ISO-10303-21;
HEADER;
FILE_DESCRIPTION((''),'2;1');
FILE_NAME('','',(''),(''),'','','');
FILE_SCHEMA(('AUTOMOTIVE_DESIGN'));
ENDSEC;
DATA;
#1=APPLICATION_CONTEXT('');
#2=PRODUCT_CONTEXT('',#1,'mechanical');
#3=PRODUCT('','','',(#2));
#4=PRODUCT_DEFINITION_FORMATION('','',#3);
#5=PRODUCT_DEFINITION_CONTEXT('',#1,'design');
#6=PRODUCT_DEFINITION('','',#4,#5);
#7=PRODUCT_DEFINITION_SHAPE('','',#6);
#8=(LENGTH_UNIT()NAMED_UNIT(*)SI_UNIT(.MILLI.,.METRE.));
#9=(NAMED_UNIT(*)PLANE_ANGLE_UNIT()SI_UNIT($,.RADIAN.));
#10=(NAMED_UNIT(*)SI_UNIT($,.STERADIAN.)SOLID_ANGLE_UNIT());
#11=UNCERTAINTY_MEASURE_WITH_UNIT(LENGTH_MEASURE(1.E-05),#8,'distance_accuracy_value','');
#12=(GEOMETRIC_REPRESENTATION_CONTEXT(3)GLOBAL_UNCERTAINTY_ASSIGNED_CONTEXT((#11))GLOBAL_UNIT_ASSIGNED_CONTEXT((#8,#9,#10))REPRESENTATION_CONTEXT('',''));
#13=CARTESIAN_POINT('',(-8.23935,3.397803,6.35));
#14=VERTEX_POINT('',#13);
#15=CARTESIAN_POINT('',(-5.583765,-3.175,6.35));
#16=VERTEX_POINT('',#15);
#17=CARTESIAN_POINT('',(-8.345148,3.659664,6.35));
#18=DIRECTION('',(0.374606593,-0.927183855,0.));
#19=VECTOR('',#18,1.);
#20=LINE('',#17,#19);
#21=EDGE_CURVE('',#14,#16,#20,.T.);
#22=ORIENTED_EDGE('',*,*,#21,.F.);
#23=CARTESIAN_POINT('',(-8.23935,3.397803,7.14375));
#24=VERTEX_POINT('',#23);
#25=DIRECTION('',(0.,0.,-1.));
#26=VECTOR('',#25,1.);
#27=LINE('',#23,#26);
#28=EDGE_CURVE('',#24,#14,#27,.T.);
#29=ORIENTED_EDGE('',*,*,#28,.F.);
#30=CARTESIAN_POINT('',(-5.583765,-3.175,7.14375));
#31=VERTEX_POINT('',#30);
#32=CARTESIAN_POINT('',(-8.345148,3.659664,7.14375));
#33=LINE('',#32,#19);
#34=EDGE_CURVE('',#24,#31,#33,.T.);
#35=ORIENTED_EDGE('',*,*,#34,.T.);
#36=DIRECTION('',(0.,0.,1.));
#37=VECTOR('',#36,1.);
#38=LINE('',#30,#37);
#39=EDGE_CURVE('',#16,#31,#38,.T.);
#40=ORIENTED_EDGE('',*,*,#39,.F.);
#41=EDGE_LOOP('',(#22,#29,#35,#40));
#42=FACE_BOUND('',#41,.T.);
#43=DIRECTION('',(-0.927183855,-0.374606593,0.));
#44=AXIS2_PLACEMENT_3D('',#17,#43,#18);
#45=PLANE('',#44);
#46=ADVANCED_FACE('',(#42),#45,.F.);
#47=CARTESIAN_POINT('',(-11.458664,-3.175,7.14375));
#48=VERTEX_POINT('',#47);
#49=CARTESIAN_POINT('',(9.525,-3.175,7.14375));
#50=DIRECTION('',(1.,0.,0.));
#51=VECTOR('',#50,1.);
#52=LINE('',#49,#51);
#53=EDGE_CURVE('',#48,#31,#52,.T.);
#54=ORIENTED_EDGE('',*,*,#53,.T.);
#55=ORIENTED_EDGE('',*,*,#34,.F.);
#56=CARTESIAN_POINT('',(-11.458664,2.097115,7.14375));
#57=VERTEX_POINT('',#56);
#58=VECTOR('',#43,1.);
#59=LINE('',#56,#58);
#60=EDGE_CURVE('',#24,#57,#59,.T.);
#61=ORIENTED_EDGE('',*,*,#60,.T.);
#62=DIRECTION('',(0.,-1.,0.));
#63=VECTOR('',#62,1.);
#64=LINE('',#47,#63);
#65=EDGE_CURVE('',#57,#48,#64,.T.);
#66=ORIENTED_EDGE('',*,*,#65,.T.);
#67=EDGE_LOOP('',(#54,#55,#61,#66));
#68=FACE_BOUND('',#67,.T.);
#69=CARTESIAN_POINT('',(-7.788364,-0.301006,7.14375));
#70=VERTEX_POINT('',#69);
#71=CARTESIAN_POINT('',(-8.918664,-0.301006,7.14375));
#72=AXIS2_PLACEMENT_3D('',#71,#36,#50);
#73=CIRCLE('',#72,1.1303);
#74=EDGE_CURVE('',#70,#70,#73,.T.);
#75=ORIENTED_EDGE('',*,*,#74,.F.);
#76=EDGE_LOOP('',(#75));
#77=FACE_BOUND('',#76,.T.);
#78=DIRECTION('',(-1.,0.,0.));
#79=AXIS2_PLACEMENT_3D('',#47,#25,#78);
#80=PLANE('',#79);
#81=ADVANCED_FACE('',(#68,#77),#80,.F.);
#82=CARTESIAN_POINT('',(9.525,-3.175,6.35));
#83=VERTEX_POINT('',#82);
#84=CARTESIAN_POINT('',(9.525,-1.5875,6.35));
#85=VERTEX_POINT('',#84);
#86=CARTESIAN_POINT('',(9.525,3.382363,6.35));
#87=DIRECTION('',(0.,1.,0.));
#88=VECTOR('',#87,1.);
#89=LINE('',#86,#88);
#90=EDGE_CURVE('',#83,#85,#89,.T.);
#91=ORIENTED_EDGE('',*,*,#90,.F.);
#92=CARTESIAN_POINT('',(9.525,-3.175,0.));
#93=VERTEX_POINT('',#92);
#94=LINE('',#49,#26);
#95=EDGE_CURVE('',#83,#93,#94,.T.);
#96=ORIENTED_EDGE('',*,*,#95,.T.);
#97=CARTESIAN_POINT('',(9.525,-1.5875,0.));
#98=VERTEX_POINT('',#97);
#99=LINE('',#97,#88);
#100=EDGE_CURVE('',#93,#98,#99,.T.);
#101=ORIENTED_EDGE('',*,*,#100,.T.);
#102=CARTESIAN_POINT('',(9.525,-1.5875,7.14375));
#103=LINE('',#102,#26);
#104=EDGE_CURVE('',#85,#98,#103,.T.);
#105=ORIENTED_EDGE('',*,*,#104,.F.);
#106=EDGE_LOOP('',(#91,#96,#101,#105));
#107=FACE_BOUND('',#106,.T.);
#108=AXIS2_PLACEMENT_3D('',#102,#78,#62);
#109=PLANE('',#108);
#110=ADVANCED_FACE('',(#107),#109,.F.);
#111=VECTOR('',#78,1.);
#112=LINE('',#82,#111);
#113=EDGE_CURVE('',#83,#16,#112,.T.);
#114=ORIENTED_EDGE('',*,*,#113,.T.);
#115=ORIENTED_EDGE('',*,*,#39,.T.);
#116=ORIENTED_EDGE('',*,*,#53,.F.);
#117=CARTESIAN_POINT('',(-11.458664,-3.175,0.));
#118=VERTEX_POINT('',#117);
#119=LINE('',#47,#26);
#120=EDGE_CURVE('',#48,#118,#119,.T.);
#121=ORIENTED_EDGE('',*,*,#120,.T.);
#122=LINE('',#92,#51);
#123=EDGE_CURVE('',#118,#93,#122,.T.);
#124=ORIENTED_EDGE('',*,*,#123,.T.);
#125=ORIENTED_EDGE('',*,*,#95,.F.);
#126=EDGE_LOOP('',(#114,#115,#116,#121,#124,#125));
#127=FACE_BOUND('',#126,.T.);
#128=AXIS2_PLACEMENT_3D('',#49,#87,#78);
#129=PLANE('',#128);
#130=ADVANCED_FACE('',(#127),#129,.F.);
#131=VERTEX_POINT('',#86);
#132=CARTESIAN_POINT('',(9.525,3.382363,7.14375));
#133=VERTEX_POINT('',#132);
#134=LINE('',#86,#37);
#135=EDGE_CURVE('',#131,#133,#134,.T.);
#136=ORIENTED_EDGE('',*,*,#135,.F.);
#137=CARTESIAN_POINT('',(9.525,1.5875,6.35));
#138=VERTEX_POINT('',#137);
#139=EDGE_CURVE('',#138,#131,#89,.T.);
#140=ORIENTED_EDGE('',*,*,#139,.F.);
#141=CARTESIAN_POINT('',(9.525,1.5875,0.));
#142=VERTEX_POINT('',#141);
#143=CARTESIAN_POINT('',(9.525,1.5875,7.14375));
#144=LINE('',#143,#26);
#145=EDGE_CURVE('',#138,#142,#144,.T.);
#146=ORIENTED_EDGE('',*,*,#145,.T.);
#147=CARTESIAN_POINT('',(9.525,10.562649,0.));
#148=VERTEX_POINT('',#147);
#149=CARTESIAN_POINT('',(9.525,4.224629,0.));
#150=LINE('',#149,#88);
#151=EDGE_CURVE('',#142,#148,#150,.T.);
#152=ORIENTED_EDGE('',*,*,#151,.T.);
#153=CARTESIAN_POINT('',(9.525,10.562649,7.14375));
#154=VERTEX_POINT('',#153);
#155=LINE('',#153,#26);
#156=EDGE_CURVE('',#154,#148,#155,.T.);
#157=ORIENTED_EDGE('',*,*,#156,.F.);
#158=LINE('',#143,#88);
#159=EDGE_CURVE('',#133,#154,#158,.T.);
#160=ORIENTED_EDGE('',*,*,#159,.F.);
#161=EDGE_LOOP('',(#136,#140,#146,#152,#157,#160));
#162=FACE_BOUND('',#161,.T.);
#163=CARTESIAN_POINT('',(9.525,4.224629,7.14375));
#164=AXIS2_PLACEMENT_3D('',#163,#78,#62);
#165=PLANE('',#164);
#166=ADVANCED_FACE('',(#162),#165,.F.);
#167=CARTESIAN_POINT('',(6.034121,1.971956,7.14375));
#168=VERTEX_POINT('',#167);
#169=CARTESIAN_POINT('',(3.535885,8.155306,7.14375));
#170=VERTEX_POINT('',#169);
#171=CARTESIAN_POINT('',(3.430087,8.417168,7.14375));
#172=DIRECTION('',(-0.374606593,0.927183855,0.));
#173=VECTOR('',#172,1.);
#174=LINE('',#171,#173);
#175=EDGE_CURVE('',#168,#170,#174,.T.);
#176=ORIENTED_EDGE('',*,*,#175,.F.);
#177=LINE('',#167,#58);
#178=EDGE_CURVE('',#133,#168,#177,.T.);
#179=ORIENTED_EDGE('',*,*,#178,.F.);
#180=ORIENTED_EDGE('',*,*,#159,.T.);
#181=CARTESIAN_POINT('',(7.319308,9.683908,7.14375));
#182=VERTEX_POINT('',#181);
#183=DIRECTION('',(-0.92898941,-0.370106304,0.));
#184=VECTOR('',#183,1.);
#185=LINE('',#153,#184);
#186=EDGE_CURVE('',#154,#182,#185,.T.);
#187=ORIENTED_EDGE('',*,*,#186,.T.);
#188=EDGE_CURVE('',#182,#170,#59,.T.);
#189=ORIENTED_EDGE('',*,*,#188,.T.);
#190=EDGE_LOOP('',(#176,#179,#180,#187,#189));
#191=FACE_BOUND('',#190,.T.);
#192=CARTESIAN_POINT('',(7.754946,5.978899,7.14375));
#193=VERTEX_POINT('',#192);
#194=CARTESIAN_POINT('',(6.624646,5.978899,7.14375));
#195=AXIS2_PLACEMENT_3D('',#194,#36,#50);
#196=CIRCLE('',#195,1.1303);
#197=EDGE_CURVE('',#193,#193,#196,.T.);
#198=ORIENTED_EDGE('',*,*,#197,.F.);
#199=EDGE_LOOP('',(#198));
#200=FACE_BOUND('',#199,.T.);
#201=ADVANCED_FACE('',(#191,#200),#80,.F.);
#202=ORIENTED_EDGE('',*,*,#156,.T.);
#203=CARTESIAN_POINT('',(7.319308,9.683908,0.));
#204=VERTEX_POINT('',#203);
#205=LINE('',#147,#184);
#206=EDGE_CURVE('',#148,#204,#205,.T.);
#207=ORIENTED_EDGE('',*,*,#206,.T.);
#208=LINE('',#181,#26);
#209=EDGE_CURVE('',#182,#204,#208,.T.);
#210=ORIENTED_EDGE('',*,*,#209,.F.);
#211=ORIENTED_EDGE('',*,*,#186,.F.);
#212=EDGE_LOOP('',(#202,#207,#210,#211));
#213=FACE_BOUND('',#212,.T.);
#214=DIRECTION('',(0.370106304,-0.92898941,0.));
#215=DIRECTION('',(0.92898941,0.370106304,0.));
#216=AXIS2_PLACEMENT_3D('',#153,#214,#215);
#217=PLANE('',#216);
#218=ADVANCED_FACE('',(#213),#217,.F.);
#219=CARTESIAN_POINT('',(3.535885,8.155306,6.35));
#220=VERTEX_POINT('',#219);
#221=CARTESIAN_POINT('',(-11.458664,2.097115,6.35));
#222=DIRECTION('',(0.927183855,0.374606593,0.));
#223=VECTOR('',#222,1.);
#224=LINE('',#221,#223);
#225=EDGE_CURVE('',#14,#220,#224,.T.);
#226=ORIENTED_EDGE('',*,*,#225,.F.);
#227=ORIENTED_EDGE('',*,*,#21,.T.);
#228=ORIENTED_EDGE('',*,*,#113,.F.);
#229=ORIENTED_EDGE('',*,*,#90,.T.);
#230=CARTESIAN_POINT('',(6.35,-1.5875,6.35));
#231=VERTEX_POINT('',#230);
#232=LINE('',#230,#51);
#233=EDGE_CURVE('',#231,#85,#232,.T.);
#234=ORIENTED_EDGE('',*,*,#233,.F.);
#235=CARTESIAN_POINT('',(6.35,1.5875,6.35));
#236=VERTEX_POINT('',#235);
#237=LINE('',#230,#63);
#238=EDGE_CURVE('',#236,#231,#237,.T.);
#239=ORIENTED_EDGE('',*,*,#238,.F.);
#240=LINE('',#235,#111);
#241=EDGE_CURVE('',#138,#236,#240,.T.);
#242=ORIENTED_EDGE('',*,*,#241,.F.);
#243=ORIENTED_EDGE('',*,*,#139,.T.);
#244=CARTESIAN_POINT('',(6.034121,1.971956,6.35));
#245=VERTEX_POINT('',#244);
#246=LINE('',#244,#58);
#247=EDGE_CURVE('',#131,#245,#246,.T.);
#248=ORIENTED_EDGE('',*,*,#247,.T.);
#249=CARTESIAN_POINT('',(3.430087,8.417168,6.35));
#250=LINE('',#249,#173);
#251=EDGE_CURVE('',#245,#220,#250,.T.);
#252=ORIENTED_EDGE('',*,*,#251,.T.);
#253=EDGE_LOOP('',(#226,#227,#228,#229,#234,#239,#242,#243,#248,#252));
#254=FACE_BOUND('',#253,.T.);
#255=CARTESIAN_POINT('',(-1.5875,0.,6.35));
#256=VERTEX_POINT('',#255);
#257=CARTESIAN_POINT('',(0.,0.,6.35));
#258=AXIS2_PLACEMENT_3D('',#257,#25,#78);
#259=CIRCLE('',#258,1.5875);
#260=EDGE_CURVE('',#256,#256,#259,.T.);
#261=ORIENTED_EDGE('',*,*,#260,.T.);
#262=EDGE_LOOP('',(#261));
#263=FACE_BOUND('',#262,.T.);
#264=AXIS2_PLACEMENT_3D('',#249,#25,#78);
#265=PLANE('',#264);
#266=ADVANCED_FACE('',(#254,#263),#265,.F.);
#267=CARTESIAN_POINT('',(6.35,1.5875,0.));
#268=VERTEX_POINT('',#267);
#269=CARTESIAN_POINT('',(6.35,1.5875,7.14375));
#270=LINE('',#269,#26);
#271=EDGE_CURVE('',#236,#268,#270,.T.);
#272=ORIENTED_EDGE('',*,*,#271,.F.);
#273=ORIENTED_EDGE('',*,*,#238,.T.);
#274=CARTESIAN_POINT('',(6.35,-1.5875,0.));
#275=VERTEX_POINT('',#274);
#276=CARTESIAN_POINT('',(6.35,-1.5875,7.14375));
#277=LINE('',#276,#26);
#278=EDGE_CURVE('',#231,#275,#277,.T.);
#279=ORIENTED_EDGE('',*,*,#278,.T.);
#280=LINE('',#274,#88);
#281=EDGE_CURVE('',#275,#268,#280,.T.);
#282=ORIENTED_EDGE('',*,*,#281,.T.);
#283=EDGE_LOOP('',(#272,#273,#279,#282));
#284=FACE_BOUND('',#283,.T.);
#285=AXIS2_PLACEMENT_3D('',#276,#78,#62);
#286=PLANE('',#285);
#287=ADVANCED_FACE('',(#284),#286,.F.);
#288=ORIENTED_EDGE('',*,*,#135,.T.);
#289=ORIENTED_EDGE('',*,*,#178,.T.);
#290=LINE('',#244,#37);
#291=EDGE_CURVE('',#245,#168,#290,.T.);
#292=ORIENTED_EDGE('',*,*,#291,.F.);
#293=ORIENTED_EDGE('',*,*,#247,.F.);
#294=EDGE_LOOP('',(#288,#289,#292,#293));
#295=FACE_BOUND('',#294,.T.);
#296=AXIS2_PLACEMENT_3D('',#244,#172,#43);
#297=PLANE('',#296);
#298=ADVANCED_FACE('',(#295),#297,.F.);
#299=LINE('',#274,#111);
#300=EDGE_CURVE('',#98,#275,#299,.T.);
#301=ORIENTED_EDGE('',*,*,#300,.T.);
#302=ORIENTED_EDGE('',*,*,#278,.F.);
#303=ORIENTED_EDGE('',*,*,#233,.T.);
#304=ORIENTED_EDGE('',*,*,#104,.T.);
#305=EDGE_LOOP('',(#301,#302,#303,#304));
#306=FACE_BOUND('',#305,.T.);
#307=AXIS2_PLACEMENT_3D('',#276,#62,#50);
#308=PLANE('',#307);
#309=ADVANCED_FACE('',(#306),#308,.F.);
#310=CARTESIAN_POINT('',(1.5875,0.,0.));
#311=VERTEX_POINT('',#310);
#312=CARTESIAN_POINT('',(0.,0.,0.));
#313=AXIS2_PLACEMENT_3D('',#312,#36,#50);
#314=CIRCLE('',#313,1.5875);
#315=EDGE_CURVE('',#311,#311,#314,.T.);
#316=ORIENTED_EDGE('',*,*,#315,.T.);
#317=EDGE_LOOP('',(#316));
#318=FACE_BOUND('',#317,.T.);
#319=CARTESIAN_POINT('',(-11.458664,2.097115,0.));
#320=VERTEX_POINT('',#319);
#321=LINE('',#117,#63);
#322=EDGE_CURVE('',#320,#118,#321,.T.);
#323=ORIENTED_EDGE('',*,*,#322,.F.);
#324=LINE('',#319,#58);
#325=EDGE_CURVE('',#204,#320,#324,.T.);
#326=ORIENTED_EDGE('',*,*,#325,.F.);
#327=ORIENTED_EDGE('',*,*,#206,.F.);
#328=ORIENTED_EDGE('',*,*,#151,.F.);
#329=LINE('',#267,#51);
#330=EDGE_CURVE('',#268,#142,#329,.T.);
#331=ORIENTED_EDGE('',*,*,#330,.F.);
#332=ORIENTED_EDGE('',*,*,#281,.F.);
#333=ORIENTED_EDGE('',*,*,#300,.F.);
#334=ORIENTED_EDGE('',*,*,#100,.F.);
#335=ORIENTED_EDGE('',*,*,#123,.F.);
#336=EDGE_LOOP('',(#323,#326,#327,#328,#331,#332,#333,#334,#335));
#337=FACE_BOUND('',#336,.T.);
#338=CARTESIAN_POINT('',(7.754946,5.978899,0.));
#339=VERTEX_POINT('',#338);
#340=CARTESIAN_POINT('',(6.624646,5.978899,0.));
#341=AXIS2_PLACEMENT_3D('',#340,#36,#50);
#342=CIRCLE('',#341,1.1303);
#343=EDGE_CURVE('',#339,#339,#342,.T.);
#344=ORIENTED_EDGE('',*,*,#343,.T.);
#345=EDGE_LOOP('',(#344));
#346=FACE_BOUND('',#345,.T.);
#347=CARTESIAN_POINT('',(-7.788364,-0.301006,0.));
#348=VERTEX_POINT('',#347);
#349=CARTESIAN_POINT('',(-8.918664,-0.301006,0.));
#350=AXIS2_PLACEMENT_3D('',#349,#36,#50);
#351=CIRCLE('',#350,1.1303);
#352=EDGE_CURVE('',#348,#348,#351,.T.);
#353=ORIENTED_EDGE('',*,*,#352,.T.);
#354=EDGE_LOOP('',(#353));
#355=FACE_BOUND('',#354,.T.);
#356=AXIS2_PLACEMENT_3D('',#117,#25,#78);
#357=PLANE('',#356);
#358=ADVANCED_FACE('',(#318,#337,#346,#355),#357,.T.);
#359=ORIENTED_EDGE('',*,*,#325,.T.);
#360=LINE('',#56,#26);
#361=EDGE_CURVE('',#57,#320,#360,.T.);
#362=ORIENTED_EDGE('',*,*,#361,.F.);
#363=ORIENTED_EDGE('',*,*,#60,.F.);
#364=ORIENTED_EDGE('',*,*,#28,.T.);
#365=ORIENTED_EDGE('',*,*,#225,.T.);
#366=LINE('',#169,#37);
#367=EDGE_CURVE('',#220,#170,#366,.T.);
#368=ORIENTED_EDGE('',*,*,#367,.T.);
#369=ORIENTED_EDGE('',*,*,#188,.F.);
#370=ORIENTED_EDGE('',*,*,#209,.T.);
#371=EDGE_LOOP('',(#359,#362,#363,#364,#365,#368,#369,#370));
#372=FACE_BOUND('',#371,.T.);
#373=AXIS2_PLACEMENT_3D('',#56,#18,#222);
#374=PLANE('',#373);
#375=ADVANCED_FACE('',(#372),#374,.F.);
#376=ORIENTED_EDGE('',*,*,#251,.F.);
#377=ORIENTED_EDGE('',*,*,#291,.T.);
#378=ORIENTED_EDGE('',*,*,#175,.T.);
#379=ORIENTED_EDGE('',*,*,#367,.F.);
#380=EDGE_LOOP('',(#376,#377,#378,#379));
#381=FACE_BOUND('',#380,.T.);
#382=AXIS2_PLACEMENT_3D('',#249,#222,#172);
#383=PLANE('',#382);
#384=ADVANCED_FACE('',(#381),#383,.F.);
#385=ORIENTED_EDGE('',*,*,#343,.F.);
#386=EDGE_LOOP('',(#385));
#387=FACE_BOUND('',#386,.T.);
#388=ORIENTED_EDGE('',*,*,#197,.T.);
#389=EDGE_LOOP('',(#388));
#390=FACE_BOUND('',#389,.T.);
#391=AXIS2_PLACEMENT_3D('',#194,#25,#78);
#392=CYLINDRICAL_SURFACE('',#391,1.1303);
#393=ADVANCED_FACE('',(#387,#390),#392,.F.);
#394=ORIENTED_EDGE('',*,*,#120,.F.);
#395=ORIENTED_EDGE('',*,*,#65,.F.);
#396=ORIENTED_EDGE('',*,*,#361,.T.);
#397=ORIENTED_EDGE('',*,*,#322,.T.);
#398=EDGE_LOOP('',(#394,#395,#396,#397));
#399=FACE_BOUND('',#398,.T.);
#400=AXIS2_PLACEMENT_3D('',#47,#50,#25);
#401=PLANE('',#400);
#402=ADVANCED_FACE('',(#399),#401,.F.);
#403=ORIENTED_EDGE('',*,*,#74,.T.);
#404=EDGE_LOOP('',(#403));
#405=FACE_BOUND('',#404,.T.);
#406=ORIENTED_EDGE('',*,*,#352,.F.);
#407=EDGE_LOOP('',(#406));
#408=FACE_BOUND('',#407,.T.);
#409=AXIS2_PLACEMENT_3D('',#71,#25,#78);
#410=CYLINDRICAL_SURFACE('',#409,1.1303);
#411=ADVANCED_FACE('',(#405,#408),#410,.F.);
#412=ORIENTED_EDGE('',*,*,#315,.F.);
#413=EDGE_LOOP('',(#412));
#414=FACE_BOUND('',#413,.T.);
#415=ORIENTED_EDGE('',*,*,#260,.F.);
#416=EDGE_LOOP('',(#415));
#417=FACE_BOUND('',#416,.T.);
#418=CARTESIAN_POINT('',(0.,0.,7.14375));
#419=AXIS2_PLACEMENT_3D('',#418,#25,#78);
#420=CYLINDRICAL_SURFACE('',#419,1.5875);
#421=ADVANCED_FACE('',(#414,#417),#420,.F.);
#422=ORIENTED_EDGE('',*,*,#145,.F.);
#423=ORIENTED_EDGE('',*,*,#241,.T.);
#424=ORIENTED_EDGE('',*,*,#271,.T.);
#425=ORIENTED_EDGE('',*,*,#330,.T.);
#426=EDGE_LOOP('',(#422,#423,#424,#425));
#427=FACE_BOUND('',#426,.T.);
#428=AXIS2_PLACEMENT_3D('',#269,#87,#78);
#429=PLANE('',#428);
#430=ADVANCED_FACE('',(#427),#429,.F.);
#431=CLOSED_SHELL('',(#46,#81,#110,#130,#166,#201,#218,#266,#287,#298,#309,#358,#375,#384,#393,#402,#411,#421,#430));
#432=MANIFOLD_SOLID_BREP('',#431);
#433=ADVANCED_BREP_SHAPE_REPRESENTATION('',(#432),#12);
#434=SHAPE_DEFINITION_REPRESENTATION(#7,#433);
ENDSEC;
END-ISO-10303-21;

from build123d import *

# Parameters (mm, degrees)
SKETCH1_R           = 1.5875
SKETCH1_R_2         = 1.1303
BOSS_EXTRUDE1_DEPTH = 7.14375
CUT_EXTRUDE2_DEPTH  = 0.79375


with BuildPart() as part:
    # Sketch1 → Boss-Extrude1 (new body)
    with BuildSketch(Plane.XY):
        Polygon((6.35, 1.5875), (9.525, 1.5875), (9.525, 4.224628752), (9.525, 10.562648806), (7.319307862, 9.683908365), (-11.458663934, 2.097115291), (-11.458663934, -3.175), (9.525, -3.175), (9.525, -1.5875), (6.35, -1.5875), align=None)
        Circle(SKETCH1_R, mode=Mode.SUBTRACT)
        with Locations((-8.918663934, -0.301005903)):
            Circle(SKETCH1_R_2, mode=Mode.SUBTRACT)
        with Locations((6.624646204, 5.978899029)):
            Circle(SKETCH1_R_2, mode=Mode.SUBTRACT)
    extrude(amount=BOSS_EXTRUDE1_DEPTH)

    # Sketch3 → Cut-Extrude2 (cut)
    with BuildSketch(Plane.XY.offset(7.14375)):
        Polygon((-8.345148438, 3.659663992), (-5.450582972, -3.504636938), (9.525, -3.219186714), (9.525, 3.382363055), (6.034120938, 1.971956363), (3.430086515, 8.417167728), align=None)
    extrude(amount=-CUT_EXTRUDE2_DEPTH, mode=Mode.SUBTRACT)


solid = part.part
